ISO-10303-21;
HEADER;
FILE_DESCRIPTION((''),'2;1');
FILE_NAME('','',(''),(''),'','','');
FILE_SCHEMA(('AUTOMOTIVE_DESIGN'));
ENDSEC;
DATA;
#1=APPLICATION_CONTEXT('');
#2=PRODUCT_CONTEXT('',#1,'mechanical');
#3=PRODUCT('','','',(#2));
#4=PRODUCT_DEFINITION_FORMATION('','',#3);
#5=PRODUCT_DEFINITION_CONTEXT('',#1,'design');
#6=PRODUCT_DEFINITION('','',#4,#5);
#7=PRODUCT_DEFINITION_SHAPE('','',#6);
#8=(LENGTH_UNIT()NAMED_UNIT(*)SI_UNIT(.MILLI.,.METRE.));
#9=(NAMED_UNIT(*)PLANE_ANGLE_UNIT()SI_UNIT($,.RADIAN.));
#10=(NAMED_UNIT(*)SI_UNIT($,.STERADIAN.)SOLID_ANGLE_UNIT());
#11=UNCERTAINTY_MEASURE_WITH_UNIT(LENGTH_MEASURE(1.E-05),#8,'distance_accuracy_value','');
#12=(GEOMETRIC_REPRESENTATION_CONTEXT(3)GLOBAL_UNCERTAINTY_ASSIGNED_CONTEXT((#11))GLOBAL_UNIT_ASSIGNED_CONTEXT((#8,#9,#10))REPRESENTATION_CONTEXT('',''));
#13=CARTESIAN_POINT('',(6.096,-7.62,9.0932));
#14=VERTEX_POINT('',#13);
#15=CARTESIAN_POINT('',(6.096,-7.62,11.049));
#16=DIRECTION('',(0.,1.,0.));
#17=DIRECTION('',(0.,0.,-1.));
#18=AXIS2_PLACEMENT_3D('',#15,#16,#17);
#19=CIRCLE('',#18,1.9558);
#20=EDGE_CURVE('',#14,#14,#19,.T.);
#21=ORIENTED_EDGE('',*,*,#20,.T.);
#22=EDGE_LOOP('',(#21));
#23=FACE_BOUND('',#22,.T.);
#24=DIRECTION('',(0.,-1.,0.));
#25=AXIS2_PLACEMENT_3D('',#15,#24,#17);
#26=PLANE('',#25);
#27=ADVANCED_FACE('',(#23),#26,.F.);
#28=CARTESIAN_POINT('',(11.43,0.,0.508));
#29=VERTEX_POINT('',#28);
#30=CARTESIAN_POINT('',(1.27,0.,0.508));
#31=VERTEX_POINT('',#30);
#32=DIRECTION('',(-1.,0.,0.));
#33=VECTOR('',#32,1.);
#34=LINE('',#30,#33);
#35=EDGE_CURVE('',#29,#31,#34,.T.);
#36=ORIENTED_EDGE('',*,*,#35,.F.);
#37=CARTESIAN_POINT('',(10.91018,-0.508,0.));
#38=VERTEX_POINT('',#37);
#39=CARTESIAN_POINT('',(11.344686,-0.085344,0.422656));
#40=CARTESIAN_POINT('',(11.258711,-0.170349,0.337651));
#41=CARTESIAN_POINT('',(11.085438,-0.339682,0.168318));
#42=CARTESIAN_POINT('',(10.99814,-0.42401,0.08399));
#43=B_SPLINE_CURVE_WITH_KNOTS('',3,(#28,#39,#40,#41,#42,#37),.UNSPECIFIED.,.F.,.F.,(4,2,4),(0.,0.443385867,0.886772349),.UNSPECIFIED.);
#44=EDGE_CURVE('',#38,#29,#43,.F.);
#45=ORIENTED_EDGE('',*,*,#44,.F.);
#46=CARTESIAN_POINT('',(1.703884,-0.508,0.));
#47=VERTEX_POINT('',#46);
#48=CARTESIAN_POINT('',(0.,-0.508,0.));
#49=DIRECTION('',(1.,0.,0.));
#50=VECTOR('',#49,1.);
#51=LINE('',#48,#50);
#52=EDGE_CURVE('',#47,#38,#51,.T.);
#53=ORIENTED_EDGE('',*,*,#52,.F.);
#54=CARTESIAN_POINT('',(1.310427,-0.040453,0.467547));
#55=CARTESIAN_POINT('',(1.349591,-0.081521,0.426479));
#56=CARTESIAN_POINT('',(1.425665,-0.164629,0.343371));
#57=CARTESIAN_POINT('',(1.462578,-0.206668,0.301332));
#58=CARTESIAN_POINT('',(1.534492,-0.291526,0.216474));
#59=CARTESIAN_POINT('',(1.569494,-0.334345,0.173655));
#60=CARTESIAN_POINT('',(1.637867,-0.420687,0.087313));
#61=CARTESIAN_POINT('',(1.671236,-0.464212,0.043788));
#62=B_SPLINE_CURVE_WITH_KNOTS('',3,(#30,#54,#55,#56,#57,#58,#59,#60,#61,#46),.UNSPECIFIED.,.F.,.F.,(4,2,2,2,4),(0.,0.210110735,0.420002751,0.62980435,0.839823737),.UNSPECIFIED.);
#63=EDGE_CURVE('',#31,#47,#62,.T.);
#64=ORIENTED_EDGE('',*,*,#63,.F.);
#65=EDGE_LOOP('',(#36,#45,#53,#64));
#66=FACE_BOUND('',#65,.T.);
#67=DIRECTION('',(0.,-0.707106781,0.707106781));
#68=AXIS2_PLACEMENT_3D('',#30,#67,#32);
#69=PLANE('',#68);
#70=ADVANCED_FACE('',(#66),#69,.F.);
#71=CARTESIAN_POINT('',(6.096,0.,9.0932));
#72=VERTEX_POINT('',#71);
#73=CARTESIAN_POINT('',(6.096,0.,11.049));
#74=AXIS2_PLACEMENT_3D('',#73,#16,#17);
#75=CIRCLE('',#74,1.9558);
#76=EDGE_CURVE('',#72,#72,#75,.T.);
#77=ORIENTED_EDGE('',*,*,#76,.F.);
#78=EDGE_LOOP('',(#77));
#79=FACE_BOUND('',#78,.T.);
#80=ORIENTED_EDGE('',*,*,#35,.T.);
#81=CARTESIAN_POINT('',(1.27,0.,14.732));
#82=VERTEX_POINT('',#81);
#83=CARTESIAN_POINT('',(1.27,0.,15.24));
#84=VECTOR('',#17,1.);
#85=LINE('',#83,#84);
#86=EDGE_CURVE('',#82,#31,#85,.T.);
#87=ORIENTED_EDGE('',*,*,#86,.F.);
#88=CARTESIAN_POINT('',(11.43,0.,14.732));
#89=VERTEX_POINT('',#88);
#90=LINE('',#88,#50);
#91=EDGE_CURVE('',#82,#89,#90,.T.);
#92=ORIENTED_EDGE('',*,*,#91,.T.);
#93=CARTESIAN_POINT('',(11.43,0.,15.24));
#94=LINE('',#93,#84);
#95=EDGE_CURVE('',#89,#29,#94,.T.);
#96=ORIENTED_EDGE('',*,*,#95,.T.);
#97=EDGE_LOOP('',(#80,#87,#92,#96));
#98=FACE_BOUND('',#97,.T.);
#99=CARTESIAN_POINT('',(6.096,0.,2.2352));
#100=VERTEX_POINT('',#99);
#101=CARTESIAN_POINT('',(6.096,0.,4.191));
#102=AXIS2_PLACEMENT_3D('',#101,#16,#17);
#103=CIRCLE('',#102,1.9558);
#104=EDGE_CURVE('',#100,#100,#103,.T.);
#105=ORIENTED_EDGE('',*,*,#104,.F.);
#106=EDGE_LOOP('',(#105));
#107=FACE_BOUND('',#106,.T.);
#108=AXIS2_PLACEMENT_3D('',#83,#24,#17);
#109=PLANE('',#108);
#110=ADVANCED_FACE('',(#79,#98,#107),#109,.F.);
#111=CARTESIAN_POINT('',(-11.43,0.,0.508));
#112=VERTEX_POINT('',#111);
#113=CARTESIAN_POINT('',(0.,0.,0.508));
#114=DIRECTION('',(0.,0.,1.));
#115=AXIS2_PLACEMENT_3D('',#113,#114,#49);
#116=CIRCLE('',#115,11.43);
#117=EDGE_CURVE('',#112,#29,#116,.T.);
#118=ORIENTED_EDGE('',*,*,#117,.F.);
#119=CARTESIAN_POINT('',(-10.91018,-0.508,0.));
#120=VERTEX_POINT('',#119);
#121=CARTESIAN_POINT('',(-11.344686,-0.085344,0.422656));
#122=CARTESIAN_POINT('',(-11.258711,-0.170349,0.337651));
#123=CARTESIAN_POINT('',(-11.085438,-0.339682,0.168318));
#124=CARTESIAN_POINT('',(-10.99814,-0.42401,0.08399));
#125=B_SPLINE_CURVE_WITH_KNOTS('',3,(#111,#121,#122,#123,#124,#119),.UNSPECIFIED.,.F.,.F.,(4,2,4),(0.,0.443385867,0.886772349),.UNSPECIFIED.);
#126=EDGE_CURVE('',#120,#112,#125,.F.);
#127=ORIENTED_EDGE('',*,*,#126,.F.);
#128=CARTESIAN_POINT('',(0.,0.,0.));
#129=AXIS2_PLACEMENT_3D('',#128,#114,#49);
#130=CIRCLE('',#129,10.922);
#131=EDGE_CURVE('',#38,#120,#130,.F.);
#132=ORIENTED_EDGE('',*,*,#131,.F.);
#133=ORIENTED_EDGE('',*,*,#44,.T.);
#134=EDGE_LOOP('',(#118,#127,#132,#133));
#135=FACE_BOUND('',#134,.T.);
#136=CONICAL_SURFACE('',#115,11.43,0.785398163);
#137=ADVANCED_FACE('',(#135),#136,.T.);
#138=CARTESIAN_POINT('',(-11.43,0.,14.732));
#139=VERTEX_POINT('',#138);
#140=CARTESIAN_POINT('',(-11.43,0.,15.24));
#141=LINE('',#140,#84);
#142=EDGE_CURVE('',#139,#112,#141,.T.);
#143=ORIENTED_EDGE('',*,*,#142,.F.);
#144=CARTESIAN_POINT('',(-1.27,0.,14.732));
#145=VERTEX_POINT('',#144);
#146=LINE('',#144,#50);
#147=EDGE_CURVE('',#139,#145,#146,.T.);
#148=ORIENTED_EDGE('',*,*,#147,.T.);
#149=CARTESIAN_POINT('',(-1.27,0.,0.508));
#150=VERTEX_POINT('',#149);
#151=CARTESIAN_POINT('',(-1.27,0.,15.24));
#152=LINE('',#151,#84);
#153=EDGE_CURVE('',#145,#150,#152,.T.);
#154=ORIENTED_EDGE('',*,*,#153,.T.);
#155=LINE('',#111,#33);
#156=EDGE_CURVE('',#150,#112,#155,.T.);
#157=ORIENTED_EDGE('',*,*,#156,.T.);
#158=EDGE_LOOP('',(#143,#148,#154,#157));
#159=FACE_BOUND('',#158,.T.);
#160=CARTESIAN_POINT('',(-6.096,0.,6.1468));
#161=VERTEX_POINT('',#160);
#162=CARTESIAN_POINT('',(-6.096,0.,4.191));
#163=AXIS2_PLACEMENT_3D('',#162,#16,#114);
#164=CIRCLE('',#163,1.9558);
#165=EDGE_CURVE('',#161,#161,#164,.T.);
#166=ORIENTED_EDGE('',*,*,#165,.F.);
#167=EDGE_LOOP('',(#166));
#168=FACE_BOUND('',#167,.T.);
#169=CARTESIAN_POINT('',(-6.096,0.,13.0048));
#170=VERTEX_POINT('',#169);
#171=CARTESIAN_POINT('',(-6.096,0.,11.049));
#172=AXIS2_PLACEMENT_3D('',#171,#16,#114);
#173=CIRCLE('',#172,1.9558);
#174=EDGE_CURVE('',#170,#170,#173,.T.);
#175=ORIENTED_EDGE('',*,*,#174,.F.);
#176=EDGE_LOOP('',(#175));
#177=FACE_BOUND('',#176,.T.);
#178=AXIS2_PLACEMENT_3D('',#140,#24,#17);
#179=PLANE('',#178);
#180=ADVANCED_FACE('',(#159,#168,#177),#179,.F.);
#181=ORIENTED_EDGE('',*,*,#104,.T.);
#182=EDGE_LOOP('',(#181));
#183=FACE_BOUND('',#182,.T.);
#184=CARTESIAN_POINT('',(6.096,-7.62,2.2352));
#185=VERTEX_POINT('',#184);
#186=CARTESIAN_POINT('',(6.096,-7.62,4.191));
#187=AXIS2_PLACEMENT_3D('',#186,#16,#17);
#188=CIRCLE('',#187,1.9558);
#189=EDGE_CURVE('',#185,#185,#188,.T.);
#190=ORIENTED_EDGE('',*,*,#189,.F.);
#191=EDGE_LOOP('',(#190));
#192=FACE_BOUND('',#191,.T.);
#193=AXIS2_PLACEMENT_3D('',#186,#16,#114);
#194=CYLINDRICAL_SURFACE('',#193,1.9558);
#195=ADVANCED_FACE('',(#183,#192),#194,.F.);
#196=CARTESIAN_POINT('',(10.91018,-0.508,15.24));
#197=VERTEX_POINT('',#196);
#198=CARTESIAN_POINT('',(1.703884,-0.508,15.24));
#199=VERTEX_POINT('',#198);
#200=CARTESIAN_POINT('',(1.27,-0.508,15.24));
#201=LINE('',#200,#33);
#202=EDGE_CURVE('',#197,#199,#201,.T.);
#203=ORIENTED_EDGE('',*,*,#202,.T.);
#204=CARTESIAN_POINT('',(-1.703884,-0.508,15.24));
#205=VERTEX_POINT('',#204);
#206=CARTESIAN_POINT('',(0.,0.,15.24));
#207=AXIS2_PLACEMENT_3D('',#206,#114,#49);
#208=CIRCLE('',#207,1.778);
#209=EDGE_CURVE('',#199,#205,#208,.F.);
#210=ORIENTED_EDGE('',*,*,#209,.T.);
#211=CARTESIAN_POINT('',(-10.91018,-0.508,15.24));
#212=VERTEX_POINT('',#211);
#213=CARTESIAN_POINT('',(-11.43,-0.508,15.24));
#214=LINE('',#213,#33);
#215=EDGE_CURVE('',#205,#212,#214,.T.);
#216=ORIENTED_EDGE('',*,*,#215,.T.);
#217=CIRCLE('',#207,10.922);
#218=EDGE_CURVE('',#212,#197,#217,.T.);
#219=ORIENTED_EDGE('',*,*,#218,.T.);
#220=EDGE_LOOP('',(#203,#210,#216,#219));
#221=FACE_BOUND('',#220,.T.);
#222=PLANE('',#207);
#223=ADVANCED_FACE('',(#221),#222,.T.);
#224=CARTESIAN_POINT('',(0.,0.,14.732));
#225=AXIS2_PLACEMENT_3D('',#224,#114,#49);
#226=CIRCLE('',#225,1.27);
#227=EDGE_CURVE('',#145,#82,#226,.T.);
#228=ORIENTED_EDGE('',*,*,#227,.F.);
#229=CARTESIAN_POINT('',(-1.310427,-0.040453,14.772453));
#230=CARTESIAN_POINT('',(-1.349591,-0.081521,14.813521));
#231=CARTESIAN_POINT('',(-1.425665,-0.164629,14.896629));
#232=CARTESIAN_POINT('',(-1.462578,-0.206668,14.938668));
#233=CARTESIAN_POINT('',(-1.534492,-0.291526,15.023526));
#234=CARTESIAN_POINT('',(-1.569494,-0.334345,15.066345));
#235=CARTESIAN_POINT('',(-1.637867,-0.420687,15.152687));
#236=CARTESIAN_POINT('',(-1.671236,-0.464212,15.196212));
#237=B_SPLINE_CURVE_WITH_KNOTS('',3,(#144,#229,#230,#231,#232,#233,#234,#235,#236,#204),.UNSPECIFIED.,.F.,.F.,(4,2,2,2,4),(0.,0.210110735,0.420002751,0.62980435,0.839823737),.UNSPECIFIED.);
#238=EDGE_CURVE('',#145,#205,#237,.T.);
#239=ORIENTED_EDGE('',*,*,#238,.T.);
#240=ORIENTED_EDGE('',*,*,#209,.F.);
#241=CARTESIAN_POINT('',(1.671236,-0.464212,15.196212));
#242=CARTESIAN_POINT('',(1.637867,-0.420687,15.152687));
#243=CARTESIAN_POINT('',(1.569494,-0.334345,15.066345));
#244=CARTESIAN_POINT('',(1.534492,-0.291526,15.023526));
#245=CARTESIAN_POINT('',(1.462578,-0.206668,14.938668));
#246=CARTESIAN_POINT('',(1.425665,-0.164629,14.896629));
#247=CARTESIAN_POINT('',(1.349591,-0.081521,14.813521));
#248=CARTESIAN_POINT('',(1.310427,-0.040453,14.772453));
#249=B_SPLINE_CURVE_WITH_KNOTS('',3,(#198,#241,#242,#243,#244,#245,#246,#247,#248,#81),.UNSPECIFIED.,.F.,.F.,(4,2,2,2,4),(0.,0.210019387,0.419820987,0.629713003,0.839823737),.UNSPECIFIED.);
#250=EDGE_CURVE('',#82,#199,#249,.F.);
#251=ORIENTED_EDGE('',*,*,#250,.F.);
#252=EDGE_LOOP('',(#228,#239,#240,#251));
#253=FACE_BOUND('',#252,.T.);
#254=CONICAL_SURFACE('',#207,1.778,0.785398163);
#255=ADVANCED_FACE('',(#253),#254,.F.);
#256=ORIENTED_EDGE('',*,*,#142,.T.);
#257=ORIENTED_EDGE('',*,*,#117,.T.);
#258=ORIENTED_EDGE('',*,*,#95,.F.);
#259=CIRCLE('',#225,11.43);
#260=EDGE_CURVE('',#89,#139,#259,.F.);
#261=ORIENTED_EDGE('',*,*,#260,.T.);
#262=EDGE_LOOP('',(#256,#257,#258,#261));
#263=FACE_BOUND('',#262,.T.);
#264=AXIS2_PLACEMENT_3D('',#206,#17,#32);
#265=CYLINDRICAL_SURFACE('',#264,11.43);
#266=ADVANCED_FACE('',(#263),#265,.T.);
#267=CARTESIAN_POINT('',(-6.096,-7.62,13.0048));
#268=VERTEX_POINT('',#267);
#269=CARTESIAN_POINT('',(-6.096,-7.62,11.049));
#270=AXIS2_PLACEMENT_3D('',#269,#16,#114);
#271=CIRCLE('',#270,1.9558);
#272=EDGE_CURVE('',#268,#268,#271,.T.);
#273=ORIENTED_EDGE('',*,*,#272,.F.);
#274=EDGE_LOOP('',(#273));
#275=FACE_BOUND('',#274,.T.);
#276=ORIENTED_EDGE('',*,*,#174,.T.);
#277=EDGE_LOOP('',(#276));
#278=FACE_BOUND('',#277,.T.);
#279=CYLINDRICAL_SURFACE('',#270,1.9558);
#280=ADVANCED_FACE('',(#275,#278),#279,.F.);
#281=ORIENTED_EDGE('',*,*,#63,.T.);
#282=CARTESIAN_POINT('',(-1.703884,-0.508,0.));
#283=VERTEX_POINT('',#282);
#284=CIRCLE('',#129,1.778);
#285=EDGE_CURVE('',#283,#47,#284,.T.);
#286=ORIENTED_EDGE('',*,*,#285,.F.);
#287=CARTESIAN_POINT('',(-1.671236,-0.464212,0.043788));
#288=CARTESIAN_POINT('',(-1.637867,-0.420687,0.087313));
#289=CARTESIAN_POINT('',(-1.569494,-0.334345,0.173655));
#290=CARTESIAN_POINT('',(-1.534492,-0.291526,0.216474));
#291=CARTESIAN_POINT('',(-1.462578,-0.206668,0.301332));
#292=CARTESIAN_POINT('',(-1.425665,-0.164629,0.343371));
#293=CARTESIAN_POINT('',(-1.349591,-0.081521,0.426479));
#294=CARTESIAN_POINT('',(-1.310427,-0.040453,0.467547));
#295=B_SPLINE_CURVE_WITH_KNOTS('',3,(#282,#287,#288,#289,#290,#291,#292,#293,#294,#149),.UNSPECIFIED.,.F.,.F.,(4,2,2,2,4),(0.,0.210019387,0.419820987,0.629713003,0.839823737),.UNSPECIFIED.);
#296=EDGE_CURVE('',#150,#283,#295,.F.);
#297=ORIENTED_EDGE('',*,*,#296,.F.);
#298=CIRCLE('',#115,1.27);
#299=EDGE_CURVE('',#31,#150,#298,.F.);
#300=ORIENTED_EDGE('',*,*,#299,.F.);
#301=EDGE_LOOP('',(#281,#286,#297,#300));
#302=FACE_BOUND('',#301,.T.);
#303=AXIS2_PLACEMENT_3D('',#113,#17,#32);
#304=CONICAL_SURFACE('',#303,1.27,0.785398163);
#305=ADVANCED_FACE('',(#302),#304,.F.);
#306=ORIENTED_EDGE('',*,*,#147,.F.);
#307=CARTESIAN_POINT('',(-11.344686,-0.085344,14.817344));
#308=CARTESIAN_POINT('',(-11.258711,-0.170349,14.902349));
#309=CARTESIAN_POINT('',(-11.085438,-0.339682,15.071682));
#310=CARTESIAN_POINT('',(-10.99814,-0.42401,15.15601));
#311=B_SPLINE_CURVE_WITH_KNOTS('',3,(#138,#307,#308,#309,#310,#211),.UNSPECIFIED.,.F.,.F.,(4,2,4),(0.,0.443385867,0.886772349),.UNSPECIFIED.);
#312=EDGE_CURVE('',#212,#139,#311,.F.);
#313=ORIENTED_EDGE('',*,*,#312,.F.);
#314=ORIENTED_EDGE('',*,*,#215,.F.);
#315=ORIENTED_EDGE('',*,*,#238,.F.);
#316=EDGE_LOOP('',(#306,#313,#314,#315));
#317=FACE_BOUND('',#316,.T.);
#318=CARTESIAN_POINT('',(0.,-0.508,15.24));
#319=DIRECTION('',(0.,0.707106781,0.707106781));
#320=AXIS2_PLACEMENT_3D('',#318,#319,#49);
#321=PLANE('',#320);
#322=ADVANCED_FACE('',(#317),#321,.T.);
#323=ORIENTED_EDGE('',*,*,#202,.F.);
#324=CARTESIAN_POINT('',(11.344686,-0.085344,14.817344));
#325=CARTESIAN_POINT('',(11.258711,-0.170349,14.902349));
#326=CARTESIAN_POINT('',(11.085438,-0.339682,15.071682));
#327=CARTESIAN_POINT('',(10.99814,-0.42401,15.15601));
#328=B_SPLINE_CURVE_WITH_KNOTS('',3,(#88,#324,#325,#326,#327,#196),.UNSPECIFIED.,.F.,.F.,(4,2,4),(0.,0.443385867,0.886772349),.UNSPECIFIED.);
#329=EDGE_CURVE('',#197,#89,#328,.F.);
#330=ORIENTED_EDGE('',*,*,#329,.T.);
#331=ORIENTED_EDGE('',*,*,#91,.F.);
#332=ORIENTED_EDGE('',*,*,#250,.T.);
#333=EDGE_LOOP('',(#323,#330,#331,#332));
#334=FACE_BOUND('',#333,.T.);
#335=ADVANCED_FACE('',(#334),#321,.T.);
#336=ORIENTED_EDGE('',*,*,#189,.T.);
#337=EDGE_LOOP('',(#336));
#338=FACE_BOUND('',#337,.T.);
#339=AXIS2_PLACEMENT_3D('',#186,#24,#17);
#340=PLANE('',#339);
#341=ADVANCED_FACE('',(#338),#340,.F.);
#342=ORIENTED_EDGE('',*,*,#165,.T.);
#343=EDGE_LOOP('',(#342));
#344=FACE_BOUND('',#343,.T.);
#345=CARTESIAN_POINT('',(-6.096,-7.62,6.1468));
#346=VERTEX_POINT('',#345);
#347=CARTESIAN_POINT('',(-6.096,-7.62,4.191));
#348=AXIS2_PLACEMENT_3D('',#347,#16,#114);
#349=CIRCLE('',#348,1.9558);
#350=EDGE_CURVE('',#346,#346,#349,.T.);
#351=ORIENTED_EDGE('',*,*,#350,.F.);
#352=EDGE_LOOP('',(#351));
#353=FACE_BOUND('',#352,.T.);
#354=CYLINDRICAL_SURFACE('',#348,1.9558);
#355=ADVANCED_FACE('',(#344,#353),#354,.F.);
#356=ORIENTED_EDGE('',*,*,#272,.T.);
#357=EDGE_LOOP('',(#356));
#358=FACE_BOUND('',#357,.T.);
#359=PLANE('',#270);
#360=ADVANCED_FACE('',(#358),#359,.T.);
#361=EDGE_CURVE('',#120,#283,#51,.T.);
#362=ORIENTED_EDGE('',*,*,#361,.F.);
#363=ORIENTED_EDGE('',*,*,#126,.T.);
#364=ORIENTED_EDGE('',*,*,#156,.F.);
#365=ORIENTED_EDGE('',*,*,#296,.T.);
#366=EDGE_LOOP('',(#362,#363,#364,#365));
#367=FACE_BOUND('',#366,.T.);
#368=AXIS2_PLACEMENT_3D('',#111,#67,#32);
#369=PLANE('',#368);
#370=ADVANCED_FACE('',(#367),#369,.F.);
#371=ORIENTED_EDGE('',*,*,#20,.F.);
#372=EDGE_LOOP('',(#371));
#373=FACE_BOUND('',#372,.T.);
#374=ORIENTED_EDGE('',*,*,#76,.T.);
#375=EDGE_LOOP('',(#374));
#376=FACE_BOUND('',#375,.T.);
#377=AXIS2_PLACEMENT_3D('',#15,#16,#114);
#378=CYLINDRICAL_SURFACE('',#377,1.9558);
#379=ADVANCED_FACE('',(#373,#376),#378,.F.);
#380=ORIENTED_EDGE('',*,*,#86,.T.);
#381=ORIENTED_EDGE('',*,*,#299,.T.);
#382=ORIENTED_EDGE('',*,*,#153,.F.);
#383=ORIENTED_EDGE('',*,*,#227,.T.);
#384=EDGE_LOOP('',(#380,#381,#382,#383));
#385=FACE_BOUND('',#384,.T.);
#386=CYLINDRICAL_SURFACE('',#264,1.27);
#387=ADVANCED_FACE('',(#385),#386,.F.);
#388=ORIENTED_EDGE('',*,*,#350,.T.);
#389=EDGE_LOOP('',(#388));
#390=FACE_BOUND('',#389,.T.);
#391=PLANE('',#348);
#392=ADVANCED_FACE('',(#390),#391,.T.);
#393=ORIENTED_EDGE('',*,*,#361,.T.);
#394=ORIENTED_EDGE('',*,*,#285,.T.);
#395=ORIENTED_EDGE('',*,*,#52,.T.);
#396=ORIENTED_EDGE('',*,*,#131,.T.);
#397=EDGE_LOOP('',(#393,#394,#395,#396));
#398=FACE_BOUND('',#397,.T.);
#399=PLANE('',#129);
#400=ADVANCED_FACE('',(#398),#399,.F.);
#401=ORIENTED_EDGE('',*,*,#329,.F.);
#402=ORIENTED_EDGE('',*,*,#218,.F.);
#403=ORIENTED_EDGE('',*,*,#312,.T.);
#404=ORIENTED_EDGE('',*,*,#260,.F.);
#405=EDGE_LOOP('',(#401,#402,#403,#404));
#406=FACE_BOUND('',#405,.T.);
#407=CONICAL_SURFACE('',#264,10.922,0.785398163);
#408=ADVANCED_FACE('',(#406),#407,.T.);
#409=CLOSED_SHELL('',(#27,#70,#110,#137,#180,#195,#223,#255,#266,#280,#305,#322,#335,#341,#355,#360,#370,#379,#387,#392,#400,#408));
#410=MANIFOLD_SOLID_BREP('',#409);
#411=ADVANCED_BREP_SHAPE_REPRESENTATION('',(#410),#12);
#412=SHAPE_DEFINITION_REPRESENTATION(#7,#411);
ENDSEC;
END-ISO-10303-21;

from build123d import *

# Parameters (mm, degrees)
BOSS_EXTRUDE2_DEPTH = 15.24
CHAMFER1_SIZE       = 0.508
CHAMFER2_SIZE       = 0.508
SKETCH13_R          = 1.9558
CUT_EXTRUDE1_DEPTH  = 7.62


with BuildPart() as part:
    # Sketch9 → Boss-Extrude2 (new body)
    with BuildSketch(Plane.XY):
        with BuildLine():
            Line((-11.43, 0), (-1.27, 0))
            ThreePointArc((-1.27, 0), (0, -1.27), (1.27, 0))
            Line((1.27, 0), (11.43, 0))
            ThreePointArc((11.43, 0), (0, -11.43), (-11.43, 0))
        make_face()
    extrude(amount=BOSS_EXTRUDE2_DEPTH)

    # Chamfer1
    chamfer1_edges = [part.edges().sort_by_distance(p)[0] for p in [
        (6.35, 0, 0),
        (0, -11.43, 0),
        (-6.35, 0, 0),
        (0, -1.27, 0),
    ]]
    chamfer(chamfer1_edges, length=CHAMFER1_SIZE)

    # Chamfer2
    chamfer2_edges = [part.edges().sort_by_distance(p)[0] for p in [
        (0, -11.43, 15.24),
        (6.35, 0, 15.24),
        (0, -1.27, 15.24),
        (-6.35, 0, 15.24),
    ]]
    chamfer(chamfer2_edges, length=CHAMFER2_SIZE)

    # Sketch13 → Cut-Extrude1 (cut)
    with BuildSketch(Plane(origin=(0, 0, 0), x_dir=(1, 0, 0), z_dir=(0, 1, 0))):
        with Locations((-6.096, -4.191)):
            Circle(SKETCH13_R)
        with Locations((-6.096, -11.049)):
            Circle(SKETCH13_R)
        with Locations((6.096, -11.049)):
            Circle(SKETCH13_R)
        with Locations((6.096, -4.191)):
            Circle(SKETCH13_R)
    extrude(amount=-CUT_EXTRUDE1_DEPTH, mode=Mode.SUBTRACT)


solid = part.part
